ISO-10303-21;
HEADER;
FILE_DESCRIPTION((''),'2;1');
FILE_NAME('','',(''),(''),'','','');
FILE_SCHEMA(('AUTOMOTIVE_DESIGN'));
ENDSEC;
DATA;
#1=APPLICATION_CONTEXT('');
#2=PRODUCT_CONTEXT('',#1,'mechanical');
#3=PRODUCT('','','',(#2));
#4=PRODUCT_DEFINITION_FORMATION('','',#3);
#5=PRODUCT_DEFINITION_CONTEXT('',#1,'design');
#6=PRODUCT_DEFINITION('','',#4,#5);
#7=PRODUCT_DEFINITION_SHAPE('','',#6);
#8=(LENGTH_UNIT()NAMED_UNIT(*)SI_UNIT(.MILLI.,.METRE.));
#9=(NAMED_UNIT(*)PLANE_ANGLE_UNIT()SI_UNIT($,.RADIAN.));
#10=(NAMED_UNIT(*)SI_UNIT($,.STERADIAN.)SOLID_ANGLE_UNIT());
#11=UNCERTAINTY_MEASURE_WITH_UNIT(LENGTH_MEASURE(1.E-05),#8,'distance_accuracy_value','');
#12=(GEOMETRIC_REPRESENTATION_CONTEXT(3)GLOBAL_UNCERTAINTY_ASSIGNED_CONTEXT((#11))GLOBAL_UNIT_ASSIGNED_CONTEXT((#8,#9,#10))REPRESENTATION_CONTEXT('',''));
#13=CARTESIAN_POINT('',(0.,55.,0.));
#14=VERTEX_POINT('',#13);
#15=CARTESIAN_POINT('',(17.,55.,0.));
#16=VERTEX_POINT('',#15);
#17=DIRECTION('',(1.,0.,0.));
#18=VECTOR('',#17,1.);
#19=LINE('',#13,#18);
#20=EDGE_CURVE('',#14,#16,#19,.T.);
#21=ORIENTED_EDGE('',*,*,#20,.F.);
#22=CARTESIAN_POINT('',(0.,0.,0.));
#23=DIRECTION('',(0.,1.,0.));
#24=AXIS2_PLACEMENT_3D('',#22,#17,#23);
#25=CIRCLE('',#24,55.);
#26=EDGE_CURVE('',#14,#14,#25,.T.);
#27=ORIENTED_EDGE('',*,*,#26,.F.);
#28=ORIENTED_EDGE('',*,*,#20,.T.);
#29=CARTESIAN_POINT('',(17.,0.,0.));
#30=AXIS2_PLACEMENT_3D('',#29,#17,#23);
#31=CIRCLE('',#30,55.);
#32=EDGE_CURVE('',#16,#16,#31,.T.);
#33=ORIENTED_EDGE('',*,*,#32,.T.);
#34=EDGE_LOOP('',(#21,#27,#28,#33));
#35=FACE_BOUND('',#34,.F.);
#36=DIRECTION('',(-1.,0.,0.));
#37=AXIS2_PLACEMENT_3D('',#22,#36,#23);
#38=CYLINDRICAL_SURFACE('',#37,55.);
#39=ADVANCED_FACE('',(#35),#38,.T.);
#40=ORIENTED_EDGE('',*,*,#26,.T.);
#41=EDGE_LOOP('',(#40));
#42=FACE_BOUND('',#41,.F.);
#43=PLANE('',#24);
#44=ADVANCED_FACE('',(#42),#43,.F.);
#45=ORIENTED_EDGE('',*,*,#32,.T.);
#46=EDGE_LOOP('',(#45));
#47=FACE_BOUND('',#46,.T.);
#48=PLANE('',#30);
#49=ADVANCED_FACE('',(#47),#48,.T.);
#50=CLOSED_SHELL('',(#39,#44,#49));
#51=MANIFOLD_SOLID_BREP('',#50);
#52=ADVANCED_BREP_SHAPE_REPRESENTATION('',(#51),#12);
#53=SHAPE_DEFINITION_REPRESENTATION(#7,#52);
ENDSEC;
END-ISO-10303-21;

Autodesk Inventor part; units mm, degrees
ref_plane "YZ Plane" through (0, 0, 0) normal (1, 0, 0) x (0, 1, 0)
ref_plane "XZ Plane" through (0, 0, 0) normal (0, 1, 0) x (-1, 0, 0)
ref_plane "XY Plane" through (0, 0, 0) normal (0, 0, 1) x (1, 0, 0)
sketch "Sketch1" plane through (0, 0, 0) normal (1, 0, 0) x (0, 1, 0)
  circle A0 centre (0, 0) radius 55
  dimension "d0" = 110
extrude "Extrusion1" add sketch "Sketch1" along normal blind 17
properties part number "arepa" material "GFRC"
